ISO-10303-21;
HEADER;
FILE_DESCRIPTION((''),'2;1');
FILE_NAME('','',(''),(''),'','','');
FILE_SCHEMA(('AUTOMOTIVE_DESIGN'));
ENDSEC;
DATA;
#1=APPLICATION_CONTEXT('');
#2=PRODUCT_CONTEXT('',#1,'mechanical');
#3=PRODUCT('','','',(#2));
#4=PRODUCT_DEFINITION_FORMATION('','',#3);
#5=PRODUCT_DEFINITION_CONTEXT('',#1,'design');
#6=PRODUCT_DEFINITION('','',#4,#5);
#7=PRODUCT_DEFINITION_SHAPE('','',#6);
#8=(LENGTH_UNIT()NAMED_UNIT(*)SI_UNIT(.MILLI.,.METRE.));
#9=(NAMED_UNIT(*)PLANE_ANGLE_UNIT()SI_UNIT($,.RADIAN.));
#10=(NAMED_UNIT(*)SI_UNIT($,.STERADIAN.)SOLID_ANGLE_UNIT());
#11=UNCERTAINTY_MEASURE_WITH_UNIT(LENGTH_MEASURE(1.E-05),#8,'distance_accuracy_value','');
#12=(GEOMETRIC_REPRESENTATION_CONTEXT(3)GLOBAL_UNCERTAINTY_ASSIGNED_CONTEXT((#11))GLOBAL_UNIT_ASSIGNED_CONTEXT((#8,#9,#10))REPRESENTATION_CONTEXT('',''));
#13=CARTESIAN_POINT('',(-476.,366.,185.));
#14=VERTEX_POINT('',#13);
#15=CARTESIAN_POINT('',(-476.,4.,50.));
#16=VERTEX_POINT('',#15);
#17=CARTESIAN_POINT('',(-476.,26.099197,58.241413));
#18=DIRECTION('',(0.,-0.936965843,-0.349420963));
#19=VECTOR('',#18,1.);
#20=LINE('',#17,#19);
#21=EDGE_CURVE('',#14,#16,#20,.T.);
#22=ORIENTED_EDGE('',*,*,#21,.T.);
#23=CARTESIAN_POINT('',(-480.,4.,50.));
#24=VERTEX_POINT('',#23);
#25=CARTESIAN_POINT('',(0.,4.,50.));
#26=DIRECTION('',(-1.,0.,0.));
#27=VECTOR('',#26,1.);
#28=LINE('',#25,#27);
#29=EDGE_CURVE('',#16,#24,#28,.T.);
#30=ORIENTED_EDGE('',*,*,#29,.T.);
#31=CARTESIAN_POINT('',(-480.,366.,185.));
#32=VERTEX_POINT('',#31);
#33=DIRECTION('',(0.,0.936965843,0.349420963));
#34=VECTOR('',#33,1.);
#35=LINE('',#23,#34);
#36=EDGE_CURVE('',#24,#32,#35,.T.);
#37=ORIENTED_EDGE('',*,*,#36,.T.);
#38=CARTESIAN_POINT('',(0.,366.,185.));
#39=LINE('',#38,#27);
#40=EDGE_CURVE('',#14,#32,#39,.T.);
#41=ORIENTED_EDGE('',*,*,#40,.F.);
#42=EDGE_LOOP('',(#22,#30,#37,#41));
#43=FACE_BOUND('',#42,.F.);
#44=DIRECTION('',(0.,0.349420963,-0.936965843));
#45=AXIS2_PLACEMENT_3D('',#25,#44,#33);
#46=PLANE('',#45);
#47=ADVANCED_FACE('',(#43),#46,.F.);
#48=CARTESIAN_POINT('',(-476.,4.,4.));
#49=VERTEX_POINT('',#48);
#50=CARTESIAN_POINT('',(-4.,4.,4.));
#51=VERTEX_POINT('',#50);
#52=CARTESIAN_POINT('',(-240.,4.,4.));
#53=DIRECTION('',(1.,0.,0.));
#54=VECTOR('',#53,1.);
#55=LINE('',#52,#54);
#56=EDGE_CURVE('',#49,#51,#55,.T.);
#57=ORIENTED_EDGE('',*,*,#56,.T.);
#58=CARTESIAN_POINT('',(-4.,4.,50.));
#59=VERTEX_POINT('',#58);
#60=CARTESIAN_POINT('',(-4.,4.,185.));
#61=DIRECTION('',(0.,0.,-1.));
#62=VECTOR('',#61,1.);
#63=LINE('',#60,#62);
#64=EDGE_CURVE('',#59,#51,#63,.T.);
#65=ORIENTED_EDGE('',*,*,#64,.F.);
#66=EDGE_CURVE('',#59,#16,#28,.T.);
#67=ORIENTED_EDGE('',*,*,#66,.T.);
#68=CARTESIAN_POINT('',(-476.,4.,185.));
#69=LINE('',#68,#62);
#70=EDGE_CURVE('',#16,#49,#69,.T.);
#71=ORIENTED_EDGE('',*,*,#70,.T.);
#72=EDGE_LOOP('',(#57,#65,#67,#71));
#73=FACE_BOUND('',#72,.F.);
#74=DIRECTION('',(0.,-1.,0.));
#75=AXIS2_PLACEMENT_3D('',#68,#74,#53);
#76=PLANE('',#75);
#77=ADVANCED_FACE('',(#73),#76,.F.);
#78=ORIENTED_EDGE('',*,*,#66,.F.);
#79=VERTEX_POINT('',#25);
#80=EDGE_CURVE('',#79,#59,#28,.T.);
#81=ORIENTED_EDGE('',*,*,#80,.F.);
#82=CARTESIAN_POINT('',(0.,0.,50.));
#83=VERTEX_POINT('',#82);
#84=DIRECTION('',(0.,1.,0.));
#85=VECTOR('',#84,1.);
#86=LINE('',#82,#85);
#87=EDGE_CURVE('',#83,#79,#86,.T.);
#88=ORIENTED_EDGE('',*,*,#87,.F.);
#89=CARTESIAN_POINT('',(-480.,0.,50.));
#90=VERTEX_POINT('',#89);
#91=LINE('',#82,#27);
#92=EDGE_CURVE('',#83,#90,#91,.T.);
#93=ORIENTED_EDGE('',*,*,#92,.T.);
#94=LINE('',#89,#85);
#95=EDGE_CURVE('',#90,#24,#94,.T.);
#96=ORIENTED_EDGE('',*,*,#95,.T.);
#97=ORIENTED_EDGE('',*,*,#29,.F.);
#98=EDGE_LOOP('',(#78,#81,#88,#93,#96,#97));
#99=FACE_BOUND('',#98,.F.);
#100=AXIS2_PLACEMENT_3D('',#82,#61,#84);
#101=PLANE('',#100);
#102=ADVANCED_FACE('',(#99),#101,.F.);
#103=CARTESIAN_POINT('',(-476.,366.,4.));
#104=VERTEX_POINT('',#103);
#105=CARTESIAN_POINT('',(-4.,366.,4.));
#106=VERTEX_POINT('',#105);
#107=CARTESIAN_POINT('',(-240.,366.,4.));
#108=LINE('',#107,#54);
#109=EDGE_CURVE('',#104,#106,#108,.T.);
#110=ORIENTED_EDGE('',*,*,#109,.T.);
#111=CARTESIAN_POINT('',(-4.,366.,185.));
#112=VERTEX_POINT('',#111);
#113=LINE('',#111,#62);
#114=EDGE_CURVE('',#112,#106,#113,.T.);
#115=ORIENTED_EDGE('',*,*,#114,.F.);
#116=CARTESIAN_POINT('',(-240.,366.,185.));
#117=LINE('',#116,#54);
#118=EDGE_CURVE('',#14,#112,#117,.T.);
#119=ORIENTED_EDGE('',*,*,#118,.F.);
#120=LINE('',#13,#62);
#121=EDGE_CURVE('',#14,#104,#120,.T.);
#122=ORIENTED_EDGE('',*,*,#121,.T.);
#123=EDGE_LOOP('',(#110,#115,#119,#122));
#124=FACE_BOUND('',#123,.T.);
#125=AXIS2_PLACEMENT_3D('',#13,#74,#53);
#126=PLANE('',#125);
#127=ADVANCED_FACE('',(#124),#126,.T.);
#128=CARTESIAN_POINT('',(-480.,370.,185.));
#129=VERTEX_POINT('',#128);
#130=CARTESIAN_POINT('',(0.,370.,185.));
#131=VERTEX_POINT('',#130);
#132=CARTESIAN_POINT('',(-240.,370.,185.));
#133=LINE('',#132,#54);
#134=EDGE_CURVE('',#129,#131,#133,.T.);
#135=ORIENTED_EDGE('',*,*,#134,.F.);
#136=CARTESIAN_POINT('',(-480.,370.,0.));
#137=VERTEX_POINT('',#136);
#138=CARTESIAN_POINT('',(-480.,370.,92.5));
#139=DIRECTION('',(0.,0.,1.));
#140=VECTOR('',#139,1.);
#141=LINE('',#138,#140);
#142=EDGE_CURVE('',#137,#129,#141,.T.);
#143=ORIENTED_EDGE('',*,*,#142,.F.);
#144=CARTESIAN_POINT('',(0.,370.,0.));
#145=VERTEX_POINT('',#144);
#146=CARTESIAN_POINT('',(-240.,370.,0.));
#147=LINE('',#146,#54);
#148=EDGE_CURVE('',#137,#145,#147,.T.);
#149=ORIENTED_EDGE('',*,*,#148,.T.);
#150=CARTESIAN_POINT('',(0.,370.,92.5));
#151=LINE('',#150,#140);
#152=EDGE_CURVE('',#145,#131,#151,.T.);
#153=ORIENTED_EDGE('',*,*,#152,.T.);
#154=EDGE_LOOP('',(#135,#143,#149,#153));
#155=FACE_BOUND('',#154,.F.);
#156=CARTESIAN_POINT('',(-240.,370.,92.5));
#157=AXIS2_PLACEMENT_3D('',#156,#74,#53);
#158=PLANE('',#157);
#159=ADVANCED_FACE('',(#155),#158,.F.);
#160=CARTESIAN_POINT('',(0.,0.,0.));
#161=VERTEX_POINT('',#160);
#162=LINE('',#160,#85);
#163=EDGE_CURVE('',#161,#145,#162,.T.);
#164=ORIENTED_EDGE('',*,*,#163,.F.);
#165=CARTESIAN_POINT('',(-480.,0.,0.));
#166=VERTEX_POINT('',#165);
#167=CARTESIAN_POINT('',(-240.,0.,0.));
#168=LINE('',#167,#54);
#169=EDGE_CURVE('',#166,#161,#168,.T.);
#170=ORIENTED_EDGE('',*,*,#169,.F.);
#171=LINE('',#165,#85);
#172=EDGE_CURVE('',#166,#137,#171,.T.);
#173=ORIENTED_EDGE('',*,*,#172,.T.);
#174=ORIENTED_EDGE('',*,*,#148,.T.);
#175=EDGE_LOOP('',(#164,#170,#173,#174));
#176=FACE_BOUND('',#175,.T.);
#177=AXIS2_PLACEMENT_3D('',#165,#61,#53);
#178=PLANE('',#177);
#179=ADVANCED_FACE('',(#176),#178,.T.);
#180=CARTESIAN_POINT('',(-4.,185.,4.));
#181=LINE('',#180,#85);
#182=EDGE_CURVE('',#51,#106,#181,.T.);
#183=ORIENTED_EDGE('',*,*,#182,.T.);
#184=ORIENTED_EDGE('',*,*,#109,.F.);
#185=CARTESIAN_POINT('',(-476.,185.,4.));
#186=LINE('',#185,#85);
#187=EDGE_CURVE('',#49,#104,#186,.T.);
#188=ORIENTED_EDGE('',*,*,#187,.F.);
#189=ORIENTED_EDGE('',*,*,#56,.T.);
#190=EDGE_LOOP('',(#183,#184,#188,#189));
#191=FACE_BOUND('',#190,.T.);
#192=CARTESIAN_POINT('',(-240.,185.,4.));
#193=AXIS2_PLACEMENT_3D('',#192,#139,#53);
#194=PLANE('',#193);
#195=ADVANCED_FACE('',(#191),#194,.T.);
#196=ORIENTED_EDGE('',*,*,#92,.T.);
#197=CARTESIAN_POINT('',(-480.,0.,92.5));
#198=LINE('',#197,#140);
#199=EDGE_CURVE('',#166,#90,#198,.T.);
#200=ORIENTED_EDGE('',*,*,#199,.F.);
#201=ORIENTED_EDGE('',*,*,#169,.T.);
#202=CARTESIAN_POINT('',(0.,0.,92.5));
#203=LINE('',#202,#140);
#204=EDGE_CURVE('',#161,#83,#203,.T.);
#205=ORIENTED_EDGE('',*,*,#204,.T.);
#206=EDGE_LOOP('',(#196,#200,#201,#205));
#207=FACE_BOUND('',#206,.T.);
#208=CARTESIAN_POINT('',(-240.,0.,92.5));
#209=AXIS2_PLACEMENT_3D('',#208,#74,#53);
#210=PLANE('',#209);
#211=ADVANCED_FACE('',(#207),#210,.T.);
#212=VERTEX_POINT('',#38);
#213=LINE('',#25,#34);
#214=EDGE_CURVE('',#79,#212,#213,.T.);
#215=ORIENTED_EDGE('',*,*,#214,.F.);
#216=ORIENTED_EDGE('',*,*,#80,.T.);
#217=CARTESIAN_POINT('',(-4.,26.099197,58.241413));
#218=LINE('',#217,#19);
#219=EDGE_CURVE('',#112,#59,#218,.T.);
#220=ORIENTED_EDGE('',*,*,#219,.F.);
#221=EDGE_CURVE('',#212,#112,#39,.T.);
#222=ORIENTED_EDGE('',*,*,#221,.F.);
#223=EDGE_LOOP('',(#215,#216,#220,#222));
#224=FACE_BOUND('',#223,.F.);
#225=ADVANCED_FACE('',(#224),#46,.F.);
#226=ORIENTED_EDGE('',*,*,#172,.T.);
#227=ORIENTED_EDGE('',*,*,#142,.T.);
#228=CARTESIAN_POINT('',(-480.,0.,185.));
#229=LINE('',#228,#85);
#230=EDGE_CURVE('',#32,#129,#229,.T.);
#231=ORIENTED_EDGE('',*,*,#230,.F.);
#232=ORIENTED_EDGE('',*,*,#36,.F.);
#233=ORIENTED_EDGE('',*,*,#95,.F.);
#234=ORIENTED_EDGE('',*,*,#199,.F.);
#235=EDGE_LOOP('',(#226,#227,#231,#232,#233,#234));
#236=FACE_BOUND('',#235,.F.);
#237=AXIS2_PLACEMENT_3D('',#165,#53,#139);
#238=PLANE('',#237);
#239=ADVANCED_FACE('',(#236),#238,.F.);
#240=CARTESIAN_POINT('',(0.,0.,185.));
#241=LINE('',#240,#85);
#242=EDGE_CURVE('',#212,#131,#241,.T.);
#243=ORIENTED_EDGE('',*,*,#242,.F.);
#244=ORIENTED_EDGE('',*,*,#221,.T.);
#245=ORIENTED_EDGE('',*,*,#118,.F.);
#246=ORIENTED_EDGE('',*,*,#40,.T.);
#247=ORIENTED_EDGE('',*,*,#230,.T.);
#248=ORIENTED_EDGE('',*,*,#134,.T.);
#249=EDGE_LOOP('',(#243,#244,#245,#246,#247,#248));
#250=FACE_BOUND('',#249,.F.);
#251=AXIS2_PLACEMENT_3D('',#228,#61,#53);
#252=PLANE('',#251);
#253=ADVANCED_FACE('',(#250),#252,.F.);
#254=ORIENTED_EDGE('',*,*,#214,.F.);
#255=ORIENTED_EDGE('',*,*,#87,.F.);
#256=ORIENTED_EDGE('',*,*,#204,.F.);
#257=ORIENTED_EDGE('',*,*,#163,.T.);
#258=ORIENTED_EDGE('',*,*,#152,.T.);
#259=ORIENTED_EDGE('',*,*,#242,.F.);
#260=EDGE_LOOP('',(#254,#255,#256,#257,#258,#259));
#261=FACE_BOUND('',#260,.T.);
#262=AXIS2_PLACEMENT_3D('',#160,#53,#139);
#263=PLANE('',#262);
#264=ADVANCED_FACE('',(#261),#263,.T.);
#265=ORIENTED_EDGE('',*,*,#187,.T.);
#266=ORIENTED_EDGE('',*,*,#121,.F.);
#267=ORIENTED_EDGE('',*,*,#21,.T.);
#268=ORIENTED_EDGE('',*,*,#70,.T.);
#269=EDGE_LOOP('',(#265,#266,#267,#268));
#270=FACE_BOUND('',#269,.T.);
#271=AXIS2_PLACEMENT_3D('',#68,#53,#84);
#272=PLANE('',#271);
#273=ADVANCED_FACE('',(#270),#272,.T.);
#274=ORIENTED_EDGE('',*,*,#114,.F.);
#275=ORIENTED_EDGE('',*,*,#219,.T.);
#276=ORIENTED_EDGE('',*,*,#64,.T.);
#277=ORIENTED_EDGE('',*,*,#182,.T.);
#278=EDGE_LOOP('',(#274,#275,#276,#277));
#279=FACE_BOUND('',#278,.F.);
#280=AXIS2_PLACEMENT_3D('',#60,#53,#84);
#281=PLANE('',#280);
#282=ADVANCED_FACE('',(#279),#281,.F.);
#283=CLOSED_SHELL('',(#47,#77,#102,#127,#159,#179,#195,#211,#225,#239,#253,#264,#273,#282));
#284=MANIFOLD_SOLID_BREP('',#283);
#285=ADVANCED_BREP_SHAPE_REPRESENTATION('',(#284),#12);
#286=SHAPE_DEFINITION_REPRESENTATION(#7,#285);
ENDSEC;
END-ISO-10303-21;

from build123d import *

# Parameters (mm, degrees)
F0_W     = 480
F0_H     = 185
F1_DEPTH = 370
F3_DEPTH = 480
F5_W     = 472
F5_H     = 362
F6_DEPTH = 181


with BuildPart() as f1:
    # F0 (on Front) → F1 (new body)
    with BuildSketch(Plane.XZ):
        with Locations((-240, 92.5)):
            Rectangle(F0_W, F0_H)
    extrude(amount=-F1_DEPTH)

    # F2 (on Right) → F3 (cut, through all)
    with BuildSketch(Plane.YZ):
        Polygon((0, 50), (4, 50), (366, 185), (0, 185), align=None)
    extrude(amount=-F3_DEPTH, mode=Mode.SUBTRACT)

    # F5 (on plane+point) → F6 (cut)
    with BuildSketch(Plane.XY.offset(185)):
        with Locations((-240, 185)):
            Rectangle(F5_W, F5_H)
    extrude(amount=-F6_DEPTH, mode=Mode.SUBTRACT)


solid = f1.part
